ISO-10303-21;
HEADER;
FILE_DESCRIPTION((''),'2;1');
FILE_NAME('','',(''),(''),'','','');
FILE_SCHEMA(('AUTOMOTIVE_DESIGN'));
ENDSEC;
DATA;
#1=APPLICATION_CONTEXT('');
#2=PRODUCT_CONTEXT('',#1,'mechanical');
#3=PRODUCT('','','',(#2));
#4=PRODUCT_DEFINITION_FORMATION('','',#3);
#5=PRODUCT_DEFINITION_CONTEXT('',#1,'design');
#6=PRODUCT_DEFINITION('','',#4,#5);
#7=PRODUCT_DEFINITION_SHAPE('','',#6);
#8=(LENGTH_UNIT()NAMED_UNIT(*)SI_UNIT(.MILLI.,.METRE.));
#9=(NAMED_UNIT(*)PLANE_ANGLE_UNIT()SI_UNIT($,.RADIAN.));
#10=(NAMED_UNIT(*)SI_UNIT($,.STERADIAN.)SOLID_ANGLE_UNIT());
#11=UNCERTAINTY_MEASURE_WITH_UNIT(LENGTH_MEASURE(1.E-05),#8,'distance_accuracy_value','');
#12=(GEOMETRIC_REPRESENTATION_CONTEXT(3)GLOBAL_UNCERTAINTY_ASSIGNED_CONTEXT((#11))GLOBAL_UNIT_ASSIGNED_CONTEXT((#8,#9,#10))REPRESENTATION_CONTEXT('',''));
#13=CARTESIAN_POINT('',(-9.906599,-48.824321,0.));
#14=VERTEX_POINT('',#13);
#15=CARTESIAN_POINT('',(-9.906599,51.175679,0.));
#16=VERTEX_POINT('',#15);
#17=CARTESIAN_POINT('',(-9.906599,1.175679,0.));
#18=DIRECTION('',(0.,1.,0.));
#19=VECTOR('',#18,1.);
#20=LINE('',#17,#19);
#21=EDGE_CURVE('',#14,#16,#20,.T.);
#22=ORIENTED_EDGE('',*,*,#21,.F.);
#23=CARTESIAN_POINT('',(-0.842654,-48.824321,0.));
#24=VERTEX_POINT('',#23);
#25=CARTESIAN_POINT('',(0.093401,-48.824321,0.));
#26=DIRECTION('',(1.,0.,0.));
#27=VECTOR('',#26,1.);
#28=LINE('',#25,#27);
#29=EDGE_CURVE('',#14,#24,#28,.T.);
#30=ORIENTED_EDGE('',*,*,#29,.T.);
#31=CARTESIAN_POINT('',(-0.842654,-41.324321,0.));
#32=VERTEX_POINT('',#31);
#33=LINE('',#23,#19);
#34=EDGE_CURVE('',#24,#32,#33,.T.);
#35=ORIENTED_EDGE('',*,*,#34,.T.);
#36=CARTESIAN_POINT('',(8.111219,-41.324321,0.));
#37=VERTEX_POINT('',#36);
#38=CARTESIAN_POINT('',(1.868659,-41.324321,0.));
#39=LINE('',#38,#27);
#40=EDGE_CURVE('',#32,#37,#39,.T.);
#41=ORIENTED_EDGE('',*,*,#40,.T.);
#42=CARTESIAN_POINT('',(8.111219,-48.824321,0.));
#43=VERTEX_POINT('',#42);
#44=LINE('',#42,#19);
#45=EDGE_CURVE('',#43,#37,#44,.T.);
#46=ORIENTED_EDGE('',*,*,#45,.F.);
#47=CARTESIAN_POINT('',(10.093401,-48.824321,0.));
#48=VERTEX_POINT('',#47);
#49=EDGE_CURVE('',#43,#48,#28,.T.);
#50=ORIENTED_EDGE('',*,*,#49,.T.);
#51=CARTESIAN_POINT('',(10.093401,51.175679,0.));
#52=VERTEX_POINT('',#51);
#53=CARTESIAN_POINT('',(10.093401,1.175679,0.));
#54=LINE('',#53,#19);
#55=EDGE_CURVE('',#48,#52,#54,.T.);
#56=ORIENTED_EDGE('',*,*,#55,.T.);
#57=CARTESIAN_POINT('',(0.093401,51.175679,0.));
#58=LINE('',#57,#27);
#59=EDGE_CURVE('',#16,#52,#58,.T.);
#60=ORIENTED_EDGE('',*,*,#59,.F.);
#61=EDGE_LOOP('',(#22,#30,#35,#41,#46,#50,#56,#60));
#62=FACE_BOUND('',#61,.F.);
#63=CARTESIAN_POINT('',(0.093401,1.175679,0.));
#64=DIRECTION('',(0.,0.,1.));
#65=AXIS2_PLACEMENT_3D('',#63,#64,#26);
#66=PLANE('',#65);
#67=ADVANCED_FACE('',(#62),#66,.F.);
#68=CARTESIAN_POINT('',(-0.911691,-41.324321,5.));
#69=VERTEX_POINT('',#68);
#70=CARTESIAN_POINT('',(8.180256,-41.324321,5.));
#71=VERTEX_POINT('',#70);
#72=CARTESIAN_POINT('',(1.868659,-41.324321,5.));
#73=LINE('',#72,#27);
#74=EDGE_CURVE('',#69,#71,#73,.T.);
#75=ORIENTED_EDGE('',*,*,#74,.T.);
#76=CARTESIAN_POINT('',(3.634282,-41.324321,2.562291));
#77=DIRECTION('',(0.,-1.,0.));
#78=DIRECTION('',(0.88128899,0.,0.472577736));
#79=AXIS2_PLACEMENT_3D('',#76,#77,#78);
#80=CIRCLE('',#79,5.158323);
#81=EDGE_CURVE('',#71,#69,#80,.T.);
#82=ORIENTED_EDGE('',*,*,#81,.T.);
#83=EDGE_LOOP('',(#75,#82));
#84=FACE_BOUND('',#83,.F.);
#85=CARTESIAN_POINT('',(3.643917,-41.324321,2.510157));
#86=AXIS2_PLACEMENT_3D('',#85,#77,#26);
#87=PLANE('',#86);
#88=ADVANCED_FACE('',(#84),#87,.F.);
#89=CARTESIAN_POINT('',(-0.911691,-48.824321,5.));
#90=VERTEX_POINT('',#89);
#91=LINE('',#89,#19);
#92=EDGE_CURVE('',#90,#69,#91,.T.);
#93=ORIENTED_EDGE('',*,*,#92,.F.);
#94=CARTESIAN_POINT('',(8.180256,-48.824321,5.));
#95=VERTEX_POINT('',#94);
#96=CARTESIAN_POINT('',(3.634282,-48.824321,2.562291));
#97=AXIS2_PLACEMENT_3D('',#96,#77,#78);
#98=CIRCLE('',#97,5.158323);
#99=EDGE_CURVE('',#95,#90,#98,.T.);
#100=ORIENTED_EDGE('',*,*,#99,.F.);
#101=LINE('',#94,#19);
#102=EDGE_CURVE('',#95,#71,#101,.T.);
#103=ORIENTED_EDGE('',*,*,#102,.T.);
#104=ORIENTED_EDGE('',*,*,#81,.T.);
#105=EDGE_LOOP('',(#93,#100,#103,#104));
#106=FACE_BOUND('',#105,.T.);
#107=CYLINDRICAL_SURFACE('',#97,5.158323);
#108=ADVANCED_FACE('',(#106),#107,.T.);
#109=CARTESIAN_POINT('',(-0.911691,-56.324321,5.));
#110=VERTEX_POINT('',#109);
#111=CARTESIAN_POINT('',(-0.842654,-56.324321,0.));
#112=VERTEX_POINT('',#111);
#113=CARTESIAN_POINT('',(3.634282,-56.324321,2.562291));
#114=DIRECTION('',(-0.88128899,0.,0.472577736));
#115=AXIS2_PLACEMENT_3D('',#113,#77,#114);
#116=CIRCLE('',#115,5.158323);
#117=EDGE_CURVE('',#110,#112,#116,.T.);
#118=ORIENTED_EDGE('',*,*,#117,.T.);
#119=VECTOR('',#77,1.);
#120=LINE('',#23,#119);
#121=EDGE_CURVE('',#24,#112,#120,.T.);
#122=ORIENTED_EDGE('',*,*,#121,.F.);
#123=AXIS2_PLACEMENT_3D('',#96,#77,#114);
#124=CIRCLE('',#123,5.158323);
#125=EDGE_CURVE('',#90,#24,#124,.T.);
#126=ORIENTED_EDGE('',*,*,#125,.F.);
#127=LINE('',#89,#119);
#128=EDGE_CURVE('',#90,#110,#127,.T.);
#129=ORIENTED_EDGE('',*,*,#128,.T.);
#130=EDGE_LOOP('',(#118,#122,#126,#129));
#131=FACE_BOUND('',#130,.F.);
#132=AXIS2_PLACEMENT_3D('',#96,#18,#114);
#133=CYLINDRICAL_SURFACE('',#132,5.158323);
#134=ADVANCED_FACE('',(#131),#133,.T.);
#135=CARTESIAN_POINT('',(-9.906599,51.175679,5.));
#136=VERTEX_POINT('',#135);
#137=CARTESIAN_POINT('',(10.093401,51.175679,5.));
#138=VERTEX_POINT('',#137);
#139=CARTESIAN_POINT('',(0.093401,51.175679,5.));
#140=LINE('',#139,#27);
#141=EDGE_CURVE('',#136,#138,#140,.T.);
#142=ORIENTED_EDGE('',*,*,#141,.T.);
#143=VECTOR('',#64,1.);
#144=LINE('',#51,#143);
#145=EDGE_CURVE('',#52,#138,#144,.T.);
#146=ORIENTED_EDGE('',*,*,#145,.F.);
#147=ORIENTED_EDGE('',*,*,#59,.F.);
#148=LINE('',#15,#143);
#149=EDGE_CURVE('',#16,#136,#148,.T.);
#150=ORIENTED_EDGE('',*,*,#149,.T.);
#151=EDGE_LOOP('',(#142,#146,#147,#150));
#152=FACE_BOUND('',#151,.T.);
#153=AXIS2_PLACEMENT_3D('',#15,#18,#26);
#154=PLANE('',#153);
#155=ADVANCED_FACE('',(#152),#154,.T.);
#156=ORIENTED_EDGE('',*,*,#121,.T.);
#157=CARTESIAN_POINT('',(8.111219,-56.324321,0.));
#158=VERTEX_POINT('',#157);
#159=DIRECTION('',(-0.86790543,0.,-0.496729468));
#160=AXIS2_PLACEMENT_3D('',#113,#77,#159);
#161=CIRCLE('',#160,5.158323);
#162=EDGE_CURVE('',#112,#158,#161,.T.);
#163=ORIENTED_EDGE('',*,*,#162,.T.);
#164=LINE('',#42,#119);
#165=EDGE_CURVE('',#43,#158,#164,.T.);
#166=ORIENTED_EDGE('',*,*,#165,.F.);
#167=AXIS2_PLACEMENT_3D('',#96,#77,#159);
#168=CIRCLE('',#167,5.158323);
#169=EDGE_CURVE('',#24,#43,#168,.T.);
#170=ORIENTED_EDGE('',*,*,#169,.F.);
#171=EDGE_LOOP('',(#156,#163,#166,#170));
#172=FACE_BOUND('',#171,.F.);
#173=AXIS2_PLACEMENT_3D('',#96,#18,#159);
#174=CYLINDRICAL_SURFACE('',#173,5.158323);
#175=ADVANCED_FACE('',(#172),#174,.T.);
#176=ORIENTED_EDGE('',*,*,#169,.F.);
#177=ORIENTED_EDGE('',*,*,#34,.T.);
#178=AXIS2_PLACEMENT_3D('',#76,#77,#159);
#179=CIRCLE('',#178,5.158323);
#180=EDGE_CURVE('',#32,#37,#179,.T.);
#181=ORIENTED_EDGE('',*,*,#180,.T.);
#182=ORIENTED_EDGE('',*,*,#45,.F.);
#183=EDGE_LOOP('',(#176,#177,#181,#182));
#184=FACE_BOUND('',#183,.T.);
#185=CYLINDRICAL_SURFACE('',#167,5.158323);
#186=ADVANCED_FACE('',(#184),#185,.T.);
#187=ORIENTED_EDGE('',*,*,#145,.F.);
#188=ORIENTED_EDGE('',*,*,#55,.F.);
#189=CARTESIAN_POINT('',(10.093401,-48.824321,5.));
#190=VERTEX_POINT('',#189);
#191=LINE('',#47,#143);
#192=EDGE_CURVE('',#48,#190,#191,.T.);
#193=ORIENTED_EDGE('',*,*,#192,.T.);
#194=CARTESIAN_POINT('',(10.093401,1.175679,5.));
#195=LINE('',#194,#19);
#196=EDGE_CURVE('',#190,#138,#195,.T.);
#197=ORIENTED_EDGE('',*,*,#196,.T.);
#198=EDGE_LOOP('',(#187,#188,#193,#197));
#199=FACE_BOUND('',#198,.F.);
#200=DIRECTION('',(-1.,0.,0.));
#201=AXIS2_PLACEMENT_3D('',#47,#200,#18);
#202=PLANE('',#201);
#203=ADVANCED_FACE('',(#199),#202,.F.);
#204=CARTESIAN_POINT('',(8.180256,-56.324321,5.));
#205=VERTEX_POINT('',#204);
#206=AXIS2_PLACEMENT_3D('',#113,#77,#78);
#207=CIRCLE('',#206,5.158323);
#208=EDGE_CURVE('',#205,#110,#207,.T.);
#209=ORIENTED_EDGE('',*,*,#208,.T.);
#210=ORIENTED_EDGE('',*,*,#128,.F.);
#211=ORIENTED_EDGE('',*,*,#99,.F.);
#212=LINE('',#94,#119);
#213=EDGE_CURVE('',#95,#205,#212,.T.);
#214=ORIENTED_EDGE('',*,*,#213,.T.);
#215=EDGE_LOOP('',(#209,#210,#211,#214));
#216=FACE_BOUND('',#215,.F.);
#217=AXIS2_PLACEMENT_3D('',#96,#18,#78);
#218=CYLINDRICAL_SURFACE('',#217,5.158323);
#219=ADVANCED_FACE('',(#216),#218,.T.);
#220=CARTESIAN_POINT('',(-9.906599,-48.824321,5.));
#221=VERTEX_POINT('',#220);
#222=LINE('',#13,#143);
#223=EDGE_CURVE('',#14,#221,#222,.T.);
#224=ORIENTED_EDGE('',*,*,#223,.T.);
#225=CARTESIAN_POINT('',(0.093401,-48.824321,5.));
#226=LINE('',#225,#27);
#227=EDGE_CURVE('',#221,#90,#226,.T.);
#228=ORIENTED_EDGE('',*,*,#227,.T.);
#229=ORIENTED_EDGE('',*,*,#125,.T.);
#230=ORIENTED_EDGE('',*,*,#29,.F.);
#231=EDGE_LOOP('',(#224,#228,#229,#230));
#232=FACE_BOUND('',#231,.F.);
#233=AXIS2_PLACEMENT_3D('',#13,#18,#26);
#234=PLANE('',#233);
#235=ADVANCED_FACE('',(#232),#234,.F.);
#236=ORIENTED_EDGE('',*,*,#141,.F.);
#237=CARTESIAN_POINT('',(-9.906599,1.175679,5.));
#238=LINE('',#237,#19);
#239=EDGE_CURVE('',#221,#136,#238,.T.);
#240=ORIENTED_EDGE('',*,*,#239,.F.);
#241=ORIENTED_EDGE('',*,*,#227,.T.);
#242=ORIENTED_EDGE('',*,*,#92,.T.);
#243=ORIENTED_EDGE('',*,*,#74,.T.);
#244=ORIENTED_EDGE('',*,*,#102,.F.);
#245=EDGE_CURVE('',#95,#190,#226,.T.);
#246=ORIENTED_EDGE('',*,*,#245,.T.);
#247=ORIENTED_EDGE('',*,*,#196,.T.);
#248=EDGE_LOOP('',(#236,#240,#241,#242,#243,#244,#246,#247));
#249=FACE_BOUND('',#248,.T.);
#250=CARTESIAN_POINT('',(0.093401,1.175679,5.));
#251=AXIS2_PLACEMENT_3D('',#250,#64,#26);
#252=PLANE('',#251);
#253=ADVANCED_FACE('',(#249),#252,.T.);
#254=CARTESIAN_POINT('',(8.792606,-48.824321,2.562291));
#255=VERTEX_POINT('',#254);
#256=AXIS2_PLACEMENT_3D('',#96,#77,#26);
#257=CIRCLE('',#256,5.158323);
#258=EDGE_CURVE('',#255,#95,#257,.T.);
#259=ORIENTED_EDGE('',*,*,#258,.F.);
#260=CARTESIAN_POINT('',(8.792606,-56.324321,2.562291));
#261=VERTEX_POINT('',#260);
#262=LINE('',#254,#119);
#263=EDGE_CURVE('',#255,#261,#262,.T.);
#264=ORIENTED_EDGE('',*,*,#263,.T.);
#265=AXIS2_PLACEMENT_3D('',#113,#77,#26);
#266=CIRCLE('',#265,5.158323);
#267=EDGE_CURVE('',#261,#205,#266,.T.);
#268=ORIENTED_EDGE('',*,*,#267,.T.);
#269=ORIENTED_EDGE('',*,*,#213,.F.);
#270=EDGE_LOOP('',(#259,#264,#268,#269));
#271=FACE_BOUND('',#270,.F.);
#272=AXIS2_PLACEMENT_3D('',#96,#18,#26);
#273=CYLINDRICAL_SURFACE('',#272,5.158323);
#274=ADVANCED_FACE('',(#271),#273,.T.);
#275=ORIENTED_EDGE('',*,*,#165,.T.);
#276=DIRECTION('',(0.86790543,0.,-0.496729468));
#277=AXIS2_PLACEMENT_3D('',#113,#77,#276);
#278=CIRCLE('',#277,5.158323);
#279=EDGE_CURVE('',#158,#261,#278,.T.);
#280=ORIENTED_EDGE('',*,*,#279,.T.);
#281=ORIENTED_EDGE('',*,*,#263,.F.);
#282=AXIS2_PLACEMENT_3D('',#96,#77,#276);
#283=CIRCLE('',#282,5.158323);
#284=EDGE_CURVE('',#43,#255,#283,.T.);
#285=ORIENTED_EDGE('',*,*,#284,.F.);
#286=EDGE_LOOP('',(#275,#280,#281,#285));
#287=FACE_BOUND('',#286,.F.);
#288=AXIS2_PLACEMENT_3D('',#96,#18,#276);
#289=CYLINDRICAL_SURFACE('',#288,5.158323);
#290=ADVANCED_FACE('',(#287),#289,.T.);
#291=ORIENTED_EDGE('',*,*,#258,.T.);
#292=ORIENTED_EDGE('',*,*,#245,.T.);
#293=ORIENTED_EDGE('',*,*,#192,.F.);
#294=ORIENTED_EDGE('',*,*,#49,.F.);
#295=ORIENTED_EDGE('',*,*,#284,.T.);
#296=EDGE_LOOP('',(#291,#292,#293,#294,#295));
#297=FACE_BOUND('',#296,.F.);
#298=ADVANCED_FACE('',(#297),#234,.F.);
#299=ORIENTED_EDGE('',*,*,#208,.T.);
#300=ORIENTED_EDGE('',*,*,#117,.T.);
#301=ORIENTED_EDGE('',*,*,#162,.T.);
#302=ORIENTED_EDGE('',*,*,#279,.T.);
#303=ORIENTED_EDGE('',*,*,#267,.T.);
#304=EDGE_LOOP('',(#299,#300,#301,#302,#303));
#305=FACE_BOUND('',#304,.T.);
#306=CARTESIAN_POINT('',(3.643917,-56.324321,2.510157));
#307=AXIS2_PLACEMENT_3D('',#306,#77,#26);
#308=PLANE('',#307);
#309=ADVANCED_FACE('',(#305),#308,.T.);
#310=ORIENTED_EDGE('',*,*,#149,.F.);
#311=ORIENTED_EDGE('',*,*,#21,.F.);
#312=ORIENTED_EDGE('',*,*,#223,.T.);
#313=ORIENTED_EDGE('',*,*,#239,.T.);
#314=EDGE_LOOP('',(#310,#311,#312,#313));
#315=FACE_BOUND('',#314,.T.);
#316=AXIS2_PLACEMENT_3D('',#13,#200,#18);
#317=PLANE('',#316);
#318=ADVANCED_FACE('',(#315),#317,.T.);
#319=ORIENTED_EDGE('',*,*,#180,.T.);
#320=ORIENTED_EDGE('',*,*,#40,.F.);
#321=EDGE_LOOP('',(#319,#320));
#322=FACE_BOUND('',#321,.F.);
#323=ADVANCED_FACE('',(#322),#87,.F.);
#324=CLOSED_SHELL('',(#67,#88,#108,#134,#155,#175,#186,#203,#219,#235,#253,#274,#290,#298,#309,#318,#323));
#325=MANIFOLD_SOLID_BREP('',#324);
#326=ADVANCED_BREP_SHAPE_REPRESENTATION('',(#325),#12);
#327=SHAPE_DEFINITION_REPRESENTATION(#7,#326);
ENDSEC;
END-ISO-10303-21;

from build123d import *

# Parameters (mm, degrees)
F0_W     = 20
F0_H     = 100
F1_DEPTH = 5
F3_DEPTH = 7.5


with BuildPart() as f1:
    # F0 (on Top) → F1 (new body)
    with BuildSketch(Plane.XY):
        with Locations((0.0934011862, 1.1756785214)):
            Rectangle(F0_W, F0_H)
    extrude(amount=F1_DEPTH)

    # F2 (on face) → F3 (join, symmetric)
    with BuildSketch(Plane.XZ.offset(48.8243214786)):
        with BuildLine():
            ThreePointArc((8.1112192452, 0), (8.6193494847, 1.2366193282), (8.792605752, 2.5622912217))
            ThreePointArc((8.792605752, 2.5622912217), (8.6371766346, 3.8190127838), (8.1802559735, 5))
            Line((8.1802559735, 5), (-0.9116911979, 5))
            ThreePointArc((-0.9116911979, 5), (-1.5235493481, 2.491075256), (-0.8426544696, 0))
            Line((-0.8426544696, 0), (8.1112192452, 0))
        make_face()
        with BuildLine():
            Line((-0.9116911979, 5), (8.1802559735, 5))
            ThreePointArc((8.1802559735, 5), (3.6342823878, 7.7206145859), (-0.9116911979, 5))
        make_face()
        with BuildLine():
            ThreePointArc((-0.8426544696, 0), (3.6342823878, -2.5960321425), (8.1112192452, 0))
            Line((8.1112192452, 0), (-0.8426544696, 0))
        make_face()
    extrude(amount=F3_DEPTH, both=True)


solid = f1.part
